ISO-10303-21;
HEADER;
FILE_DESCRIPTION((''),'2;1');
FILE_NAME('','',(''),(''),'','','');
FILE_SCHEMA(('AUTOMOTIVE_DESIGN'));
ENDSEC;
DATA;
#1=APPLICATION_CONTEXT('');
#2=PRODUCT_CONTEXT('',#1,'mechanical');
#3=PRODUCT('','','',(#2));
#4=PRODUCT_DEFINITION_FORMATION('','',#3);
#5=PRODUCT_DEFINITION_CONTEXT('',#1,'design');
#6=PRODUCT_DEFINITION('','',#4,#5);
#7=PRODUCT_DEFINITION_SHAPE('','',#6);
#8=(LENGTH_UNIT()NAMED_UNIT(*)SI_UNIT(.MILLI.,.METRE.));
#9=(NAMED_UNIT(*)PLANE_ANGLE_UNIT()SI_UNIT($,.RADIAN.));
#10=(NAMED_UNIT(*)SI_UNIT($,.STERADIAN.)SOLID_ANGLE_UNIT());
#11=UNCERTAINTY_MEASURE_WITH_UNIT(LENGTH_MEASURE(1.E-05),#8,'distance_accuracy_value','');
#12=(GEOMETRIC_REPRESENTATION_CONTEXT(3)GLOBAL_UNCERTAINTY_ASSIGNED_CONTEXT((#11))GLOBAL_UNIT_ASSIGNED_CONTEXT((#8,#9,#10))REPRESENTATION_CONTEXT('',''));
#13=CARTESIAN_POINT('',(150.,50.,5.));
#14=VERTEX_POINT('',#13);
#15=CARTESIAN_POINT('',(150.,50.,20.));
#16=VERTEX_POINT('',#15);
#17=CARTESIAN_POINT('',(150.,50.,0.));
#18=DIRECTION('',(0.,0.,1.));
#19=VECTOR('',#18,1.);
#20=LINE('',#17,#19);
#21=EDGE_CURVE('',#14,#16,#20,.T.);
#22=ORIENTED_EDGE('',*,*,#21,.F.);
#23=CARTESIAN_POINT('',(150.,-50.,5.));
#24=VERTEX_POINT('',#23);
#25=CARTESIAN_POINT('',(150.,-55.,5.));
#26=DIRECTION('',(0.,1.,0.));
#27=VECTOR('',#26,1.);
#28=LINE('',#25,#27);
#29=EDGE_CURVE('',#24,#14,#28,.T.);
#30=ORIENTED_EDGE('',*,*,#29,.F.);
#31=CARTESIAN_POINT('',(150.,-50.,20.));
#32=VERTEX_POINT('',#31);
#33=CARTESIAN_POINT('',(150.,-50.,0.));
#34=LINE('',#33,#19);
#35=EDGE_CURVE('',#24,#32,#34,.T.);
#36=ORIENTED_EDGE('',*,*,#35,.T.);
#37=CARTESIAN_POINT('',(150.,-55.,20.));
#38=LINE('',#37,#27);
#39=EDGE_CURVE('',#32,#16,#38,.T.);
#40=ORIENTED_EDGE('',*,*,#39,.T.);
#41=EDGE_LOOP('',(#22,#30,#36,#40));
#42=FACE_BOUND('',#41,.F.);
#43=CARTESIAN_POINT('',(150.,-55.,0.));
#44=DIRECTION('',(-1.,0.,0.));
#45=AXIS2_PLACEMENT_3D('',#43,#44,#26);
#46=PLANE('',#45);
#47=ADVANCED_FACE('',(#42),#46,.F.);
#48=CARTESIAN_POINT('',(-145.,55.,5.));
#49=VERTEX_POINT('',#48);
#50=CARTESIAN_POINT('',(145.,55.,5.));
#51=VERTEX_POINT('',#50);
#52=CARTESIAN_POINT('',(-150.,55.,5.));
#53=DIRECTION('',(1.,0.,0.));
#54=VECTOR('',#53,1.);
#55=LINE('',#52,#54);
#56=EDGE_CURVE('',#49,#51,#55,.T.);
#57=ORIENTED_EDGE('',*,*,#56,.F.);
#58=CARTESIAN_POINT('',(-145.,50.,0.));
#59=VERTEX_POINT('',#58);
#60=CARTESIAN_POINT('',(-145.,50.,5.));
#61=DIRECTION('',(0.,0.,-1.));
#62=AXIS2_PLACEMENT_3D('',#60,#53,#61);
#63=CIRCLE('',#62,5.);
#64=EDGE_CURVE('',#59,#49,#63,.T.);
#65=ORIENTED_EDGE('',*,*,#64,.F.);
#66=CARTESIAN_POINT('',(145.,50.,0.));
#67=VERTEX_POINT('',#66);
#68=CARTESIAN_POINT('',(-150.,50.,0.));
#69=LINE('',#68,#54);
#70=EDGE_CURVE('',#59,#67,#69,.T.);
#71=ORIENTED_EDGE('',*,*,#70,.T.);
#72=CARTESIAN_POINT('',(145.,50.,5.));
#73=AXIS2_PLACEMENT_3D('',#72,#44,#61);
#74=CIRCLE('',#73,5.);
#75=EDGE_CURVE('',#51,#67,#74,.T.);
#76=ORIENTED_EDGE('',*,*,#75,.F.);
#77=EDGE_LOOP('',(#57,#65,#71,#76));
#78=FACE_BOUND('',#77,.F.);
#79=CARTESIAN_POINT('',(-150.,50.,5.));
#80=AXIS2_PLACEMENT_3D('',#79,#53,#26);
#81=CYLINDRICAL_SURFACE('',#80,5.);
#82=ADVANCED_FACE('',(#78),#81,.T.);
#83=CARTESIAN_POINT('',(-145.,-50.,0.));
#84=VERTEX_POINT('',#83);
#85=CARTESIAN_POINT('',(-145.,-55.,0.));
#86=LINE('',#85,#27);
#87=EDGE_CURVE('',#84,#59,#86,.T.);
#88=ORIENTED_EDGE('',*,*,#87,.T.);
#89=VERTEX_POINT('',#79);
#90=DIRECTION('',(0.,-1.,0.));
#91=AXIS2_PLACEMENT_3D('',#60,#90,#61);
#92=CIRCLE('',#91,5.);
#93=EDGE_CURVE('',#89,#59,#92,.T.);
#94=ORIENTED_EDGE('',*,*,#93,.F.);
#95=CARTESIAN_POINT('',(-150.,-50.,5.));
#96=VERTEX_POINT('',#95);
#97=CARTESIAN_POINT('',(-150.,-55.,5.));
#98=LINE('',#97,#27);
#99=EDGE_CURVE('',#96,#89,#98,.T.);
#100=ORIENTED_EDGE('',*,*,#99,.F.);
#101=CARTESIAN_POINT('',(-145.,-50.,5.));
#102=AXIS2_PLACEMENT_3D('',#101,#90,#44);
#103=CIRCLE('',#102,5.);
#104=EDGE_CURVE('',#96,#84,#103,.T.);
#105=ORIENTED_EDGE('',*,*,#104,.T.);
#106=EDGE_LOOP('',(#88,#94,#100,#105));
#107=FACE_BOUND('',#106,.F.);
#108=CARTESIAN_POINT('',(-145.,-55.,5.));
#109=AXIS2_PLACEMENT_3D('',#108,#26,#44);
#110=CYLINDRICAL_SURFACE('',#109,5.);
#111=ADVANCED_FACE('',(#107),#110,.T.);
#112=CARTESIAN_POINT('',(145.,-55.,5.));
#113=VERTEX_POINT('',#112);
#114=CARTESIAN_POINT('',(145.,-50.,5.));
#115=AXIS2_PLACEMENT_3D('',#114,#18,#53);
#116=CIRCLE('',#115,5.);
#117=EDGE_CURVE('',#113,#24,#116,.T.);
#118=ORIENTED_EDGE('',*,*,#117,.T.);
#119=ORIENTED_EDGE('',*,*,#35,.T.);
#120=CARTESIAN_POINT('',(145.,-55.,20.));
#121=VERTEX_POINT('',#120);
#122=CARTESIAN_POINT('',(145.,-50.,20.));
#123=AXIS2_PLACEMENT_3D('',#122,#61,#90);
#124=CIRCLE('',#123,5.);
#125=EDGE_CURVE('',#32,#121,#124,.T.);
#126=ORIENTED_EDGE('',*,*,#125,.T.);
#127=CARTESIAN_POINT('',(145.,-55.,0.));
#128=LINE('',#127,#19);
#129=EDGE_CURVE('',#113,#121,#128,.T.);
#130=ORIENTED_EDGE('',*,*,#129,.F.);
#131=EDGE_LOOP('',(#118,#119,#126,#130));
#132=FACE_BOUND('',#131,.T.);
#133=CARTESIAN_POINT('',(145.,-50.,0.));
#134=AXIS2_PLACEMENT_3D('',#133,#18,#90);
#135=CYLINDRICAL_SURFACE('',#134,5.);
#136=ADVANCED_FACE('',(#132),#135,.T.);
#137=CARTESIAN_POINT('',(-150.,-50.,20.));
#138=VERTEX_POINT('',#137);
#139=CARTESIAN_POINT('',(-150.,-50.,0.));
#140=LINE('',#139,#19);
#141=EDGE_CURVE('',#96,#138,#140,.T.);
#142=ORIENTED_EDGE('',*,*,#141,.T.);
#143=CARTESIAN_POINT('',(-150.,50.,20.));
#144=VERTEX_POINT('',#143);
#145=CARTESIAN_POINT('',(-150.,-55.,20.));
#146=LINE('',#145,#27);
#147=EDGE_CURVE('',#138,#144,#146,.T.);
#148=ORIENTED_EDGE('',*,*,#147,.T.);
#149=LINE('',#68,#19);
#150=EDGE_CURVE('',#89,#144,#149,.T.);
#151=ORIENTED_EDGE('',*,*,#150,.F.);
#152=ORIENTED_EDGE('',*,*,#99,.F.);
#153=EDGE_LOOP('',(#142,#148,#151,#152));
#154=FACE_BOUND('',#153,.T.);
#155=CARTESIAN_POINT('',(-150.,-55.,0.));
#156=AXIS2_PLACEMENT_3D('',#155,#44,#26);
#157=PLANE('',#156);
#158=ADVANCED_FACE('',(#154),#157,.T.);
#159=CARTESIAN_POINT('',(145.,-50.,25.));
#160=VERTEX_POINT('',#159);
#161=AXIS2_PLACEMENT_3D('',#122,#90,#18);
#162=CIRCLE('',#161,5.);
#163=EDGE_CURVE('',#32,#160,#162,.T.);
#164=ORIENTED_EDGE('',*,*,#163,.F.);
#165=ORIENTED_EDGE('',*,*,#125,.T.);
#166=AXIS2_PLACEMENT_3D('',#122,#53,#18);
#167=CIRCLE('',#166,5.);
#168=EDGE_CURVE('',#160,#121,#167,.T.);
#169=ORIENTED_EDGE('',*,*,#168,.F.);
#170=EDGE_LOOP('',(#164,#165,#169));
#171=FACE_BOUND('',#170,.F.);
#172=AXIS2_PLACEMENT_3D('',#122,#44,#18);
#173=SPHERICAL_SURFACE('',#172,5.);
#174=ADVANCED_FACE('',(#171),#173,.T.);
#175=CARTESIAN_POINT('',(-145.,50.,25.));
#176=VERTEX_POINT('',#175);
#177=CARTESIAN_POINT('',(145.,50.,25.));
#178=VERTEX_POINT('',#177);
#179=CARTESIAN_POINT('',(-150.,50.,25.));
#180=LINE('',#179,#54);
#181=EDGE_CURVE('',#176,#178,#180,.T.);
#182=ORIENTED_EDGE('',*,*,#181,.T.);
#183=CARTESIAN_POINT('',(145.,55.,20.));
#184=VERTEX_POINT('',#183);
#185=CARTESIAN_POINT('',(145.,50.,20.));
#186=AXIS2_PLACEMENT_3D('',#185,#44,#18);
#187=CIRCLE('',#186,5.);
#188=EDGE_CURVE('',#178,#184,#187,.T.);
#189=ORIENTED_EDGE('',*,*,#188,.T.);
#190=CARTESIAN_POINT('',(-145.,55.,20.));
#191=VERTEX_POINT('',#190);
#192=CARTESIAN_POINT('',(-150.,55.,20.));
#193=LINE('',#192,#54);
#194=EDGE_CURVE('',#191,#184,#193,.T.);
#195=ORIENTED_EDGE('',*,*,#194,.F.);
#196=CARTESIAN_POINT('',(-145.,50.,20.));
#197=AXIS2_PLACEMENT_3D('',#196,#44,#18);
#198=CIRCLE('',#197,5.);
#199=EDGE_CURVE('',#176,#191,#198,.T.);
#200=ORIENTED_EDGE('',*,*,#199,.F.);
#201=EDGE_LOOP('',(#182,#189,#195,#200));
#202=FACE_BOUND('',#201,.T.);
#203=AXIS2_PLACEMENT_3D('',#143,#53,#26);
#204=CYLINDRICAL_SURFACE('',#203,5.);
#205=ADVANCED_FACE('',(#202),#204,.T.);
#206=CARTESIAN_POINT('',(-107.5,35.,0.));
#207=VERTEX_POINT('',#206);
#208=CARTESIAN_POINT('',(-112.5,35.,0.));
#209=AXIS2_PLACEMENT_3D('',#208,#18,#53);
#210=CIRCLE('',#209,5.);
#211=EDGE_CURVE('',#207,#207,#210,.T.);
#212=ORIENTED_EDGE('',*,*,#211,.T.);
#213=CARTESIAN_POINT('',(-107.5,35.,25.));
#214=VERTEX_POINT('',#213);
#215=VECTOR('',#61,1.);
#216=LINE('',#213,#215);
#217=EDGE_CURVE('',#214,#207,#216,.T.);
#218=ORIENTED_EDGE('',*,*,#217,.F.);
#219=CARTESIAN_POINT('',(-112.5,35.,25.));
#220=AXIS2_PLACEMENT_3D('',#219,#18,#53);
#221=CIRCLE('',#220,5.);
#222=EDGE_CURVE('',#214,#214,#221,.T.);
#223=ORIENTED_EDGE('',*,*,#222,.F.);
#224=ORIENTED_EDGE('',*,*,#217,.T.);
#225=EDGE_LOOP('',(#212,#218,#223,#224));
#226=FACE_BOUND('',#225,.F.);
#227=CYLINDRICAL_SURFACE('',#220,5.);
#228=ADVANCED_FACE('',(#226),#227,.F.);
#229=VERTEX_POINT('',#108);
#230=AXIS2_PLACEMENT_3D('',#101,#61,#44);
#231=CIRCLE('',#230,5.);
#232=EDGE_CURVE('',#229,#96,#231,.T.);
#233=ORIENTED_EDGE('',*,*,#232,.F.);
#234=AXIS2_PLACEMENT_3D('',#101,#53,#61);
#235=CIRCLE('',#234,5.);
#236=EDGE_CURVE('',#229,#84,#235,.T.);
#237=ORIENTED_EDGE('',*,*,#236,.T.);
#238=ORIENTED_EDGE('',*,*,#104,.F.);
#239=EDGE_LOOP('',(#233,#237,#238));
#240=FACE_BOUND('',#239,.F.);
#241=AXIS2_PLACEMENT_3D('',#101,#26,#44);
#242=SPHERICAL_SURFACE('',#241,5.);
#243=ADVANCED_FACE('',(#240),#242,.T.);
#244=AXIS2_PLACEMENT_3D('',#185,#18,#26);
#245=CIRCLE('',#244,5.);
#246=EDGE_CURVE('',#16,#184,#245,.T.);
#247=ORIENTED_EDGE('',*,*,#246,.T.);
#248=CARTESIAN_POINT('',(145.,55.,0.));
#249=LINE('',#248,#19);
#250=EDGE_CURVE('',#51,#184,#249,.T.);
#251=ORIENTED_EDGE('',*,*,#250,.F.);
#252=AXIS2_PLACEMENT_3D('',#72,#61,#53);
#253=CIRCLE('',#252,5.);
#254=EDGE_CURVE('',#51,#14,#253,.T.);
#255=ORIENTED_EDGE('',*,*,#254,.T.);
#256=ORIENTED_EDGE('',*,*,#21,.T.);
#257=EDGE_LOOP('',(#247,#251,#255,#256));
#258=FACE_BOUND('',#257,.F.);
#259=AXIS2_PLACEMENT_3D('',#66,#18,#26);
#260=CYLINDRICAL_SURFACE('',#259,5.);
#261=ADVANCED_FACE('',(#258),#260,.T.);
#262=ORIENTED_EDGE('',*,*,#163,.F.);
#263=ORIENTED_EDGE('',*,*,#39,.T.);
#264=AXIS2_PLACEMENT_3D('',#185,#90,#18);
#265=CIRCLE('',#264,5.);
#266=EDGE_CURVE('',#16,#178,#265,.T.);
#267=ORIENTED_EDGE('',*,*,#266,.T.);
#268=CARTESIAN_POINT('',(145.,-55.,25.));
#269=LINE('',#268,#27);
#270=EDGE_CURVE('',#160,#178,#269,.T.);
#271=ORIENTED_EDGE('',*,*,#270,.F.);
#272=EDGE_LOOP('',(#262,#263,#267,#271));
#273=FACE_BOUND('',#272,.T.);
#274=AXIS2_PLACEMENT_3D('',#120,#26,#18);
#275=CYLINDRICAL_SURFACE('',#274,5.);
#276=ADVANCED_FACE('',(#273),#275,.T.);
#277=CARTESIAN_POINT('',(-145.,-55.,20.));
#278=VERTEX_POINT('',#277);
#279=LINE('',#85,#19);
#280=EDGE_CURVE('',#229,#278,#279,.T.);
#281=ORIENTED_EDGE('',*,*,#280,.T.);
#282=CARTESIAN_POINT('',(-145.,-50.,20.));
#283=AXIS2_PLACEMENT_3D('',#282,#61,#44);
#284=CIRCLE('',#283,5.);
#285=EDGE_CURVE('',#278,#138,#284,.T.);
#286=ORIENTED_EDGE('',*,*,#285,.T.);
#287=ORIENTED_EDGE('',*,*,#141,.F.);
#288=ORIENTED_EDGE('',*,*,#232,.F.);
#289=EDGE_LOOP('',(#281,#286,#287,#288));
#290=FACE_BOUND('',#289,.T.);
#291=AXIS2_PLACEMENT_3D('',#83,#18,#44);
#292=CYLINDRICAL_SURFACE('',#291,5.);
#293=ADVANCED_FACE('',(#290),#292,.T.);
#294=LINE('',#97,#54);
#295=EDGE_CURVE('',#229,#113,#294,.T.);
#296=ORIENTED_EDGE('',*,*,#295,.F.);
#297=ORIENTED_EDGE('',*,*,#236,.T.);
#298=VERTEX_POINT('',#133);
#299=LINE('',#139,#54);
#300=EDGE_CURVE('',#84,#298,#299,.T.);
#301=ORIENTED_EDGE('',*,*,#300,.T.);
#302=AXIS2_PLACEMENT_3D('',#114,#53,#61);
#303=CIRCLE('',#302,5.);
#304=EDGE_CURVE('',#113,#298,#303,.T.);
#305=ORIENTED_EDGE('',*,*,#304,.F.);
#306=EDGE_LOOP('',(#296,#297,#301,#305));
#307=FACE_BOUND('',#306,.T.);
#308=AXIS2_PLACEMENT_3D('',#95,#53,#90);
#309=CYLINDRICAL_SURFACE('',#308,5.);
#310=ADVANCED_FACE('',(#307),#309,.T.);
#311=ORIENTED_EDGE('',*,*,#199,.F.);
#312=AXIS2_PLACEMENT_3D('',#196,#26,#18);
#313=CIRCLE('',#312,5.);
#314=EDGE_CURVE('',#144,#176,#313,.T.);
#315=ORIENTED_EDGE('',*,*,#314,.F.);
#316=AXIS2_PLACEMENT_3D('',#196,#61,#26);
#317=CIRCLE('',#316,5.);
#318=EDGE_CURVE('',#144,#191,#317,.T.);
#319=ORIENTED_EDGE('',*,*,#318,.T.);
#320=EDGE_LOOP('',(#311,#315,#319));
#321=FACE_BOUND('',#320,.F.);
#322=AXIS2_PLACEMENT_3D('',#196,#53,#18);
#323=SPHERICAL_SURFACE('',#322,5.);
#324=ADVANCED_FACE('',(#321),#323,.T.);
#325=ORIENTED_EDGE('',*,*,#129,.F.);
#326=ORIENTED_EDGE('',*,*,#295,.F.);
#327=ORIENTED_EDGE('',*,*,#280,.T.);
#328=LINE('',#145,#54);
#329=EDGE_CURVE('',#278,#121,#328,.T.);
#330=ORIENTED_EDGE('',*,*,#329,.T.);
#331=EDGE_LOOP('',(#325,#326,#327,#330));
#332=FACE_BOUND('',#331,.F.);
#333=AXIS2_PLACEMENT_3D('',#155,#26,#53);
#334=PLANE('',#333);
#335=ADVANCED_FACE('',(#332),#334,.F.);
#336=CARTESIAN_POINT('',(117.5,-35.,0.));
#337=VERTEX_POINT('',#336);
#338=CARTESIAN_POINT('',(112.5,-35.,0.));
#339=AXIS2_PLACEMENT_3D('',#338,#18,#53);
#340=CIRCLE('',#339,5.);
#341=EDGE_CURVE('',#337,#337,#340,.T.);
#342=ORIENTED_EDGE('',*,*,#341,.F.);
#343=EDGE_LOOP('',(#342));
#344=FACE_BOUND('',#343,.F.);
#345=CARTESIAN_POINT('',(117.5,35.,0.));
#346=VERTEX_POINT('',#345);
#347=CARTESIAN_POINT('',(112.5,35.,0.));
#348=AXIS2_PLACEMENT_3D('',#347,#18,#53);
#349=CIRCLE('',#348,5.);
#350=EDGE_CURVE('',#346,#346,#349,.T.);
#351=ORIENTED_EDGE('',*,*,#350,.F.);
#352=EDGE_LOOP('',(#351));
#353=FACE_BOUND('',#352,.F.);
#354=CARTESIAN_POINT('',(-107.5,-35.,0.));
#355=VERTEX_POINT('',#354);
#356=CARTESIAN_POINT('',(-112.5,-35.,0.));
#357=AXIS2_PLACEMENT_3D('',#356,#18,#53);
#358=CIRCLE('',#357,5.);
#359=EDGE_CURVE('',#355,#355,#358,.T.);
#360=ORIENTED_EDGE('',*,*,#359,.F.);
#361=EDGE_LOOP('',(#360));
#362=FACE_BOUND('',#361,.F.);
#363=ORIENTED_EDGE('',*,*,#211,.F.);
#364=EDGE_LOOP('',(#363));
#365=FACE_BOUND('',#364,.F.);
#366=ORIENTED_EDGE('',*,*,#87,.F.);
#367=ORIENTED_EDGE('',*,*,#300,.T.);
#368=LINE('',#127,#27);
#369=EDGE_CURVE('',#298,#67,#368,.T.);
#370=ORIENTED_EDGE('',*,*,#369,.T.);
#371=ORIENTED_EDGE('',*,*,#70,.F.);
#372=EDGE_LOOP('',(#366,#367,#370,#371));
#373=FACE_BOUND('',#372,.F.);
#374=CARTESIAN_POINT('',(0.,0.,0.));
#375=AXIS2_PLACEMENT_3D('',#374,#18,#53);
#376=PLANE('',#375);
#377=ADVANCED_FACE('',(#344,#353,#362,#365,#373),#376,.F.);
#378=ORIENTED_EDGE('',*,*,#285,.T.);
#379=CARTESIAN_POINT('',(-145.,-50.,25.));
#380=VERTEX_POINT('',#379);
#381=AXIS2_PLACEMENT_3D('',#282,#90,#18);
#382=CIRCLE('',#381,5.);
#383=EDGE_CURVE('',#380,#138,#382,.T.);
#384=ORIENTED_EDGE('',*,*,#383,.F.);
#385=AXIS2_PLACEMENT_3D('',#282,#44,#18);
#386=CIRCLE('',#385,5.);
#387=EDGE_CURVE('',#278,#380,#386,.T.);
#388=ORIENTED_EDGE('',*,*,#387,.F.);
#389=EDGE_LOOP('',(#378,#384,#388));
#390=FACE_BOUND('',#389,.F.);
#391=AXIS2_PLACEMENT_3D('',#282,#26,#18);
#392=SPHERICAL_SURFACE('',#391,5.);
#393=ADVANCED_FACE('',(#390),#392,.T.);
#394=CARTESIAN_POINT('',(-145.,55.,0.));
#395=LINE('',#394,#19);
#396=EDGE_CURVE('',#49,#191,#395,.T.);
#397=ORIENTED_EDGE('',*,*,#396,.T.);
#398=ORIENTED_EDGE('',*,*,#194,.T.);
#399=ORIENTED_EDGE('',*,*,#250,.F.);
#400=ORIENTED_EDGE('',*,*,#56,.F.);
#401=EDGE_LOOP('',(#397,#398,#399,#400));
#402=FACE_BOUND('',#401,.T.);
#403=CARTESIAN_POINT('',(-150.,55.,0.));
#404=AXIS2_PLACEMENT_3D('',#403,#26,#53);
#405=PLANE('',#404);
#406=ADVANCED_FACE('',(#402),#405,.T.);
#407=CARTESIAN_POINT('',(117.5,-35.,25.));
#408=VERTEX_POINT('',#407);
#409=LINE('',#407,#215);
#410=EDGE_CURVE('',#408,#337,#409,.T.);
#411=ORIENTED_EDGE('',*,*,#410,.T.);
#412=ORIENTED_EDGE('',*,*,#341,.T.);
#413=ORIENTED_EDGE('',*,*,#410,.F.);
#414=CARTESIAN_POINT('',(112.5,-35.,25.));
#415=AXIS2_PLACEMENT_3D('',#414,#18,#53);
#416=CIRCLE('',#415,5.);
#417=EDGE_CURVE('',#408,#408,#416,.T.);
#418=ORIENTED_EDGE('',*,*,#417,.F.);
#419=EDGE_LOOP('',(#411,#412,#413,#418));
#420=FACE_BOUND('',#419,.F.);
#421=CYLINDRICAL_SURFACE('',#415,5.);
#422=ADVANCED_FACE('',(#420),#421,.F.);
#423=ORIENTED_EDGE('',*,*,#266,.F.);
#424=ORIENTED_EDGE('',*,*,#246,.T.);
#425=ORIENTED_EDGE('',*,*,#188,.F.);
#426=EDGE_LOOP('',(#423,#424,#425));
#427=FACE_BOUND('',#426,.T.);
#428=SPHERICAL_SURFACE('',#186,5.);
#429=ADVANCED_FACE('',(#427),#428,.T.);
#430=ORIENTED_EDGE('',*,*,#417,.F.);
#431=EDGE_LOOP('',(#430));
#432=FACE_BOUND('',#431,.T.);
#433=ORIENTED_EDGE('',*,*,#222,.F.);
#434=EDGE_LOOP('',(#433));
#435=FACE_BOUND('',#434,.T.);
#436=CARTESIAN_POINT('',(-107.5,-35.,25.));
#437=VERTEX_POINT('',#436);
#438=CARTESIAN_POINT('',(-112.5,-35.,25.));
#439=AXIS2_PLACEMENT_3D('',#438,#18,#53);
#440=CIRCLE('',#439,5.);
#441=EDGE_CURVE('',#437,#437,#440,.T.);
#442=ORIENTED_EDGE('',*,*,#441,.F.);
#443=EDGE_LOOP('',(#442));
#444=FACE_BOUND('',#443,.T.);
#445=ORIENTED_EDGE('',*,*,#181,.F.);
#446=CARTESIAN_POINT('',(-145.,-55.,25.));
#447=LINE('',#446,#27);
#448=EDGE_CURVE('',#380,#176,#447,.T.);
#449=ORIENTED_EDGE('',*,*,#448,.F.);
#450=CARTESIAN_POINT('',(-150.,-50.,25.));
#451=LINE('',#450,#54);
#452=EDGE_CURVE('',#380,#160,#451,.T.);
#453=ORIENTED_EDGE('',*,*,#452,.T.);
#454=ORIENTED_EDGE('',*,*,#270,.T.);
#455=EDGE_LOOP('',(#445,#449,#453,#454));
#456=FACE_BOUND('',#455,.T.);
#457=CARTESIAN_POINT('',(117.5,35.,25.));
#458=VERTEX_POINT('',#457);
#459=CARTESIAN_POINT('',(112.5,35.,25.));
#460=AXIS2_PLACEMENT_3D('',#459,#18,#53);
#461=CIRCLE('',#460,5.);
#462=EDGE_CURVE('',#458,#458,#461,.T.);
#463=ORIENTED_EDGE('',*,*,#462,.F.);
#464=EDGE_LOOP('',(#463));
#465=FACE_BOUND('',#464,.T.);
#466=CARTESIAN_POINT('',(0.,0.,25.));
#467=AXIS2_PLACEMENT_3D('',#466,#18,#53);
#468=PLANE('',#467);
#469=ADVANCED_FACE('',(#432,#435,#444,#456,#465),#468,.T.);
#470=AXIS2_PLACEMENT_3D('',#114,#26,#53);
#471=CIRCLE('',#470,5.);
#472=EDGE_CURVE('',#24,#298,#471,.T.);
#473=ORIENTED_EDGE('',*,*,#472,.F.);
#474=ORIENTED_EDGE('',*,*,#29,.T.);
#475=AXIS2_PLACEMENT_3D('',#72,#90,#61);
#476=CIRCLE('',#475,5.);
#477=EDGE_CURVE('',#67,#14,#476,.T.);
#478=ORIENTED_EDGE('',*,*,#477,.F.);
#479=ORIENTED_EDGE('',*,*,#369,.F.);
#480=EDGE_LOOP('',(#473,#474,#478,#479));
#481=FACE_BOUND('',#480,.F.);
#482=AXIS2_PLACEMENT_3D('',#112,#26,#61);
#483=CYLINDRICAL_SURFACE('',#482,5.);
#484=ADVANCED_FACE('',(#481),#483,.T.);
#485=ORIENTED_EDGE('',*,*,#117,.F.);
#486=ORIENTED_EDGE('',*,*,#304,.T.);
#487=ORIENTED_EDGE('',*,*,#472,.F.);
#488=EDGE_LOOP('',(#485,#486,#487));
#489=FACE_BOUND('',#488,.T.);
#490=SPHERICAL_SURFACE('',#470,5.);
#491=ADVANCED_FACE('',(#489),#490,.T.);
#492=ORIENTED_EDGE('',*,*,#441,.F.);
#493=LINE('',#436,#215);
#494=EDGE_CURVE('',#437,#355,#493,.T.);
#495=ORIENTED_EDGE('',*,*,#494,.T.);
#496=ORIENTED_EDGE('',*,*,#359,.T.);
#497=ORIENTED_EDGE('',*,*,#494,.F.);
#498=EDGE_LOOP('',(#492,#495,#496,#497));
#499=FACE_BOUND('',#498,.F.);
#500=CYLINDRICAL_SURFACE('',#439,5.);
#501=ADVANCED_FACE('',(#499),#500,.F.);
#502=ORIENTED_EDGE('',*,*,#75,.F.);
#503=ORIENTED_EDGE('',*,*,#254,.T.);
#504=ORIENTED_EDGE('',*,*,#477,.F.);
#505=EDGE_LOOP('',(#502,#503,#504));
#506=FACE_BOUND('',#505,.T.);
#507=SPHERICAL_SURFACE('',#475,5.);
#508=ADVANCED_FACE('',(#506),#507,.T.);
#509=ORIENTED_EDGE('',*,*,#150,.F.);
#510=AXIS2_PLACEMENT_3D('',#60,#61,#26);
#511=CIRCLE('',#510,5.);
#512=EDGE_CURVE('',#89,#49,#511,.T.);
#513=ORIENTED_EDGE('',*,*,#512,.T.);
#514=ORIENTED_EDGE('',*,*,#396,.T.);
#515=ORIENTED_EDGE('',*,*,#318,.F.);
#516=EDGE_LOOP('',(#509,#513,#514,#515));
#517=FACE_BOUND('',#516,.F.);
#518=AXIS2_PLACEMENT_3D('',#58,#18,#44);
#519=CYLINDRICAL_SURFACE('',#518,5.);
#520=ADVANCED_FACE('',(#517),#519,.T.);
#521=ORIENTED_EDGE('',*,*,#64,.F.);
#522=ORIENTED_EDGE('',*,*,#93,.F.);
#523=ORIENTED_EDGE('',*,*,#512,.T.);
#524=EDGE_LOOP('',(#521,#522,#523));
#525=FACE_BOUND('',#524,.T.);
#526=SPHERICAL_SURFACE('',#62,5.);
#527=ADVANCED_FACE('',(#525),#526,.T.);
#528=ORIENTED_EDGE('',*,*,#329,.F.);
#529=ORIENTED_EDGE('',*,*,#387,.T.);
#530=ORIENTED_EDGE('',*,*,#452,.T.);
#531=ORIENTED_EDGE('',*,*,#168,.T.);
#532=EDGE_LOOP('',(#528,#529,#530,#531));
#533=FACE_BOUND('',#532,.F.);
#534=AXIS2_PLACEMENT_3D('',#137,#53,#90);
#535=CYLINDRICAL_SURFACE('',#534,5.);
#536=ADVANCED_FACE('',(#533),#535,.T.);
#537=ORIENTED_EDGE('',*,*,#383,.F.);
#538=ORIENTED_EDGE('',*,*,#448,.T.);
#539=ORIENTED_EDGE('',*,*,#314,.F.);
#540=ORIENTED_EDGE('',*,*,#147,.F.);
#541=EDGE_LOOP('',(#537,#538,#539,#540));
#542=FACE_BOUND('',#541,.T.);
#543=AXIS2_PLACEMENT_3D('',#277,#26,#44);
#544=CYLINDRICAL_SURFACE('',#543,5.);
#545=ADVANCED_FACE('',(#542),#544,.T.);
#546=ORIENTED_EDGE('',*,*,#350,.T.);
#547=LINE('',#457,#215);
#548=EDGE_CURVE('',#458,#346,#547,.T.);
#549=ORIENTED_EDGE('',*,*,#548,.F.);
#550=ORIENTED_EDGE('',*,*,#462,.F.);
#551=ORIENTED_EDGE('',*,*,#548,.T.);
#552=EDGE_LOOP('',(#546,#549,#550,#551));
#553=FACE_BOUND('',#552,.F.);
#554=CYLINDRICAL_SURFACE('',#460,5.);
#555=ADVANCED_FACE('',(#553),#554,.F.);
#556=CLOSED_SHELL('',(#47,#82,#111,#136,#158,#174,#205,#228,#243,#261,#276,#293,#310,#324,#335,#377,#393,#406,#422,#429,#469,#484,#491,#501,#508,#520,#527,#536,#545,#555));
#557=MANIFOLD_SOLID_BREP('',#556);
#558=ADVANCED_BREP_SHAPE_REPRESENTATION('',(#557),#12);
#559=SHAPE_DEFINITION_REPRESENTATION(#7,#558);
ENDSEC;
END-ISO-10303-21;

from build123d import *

# Parameters (mm, degrees)
F0_W     = 300
F0_H     = 110
F1_DEPTH = 25
F2_R     = 5
F3_DEPTH = 25.001
F4_R     = 5


with BuildPart() as f1:
    # F0 (on Top) → F1 (new body)
    with BuildSketch(Plane.XY):
        Rectangle(F0_W, F0_H)
    extrude(amount=F1_DEPTH)

    # F2 (on face) → F3 (cut, through all)
    with BuildSketch(Plane.XY.offset(25)):
        with Locations((-112.5, 35)):
            Circle(F2_R)
        with Locations((-112.5, -35)):
            Circle(F2_R)
        with Locations((112.5, -35)):
            Circle(F2_R)
        with Locations((112.5, 35)):
            Circle(F2_R)
    extrude(amount=-F3_DEPTH, mode=Mode.SUBTRACT)

    # F4
    f4_edges = [f1.edges().sort_by_distance(p)[0] for p in [
        (0, 55, 25),
        (-150, 0, 25),
        (0, -55, 25),
        (150, 0, 25),
        (150, 0, 0),
        (0, 55, 0),
        (-150, 0, 0),
        (-150, -55, 12.5),
        (-150, 55, 12.5),
        (150, 55, 12.5),
        (150, -55, 12.5),
        (0, -55, 0),
    ]]
    fillet(f4_edges, radius=F4_R)


solid = f1.part
